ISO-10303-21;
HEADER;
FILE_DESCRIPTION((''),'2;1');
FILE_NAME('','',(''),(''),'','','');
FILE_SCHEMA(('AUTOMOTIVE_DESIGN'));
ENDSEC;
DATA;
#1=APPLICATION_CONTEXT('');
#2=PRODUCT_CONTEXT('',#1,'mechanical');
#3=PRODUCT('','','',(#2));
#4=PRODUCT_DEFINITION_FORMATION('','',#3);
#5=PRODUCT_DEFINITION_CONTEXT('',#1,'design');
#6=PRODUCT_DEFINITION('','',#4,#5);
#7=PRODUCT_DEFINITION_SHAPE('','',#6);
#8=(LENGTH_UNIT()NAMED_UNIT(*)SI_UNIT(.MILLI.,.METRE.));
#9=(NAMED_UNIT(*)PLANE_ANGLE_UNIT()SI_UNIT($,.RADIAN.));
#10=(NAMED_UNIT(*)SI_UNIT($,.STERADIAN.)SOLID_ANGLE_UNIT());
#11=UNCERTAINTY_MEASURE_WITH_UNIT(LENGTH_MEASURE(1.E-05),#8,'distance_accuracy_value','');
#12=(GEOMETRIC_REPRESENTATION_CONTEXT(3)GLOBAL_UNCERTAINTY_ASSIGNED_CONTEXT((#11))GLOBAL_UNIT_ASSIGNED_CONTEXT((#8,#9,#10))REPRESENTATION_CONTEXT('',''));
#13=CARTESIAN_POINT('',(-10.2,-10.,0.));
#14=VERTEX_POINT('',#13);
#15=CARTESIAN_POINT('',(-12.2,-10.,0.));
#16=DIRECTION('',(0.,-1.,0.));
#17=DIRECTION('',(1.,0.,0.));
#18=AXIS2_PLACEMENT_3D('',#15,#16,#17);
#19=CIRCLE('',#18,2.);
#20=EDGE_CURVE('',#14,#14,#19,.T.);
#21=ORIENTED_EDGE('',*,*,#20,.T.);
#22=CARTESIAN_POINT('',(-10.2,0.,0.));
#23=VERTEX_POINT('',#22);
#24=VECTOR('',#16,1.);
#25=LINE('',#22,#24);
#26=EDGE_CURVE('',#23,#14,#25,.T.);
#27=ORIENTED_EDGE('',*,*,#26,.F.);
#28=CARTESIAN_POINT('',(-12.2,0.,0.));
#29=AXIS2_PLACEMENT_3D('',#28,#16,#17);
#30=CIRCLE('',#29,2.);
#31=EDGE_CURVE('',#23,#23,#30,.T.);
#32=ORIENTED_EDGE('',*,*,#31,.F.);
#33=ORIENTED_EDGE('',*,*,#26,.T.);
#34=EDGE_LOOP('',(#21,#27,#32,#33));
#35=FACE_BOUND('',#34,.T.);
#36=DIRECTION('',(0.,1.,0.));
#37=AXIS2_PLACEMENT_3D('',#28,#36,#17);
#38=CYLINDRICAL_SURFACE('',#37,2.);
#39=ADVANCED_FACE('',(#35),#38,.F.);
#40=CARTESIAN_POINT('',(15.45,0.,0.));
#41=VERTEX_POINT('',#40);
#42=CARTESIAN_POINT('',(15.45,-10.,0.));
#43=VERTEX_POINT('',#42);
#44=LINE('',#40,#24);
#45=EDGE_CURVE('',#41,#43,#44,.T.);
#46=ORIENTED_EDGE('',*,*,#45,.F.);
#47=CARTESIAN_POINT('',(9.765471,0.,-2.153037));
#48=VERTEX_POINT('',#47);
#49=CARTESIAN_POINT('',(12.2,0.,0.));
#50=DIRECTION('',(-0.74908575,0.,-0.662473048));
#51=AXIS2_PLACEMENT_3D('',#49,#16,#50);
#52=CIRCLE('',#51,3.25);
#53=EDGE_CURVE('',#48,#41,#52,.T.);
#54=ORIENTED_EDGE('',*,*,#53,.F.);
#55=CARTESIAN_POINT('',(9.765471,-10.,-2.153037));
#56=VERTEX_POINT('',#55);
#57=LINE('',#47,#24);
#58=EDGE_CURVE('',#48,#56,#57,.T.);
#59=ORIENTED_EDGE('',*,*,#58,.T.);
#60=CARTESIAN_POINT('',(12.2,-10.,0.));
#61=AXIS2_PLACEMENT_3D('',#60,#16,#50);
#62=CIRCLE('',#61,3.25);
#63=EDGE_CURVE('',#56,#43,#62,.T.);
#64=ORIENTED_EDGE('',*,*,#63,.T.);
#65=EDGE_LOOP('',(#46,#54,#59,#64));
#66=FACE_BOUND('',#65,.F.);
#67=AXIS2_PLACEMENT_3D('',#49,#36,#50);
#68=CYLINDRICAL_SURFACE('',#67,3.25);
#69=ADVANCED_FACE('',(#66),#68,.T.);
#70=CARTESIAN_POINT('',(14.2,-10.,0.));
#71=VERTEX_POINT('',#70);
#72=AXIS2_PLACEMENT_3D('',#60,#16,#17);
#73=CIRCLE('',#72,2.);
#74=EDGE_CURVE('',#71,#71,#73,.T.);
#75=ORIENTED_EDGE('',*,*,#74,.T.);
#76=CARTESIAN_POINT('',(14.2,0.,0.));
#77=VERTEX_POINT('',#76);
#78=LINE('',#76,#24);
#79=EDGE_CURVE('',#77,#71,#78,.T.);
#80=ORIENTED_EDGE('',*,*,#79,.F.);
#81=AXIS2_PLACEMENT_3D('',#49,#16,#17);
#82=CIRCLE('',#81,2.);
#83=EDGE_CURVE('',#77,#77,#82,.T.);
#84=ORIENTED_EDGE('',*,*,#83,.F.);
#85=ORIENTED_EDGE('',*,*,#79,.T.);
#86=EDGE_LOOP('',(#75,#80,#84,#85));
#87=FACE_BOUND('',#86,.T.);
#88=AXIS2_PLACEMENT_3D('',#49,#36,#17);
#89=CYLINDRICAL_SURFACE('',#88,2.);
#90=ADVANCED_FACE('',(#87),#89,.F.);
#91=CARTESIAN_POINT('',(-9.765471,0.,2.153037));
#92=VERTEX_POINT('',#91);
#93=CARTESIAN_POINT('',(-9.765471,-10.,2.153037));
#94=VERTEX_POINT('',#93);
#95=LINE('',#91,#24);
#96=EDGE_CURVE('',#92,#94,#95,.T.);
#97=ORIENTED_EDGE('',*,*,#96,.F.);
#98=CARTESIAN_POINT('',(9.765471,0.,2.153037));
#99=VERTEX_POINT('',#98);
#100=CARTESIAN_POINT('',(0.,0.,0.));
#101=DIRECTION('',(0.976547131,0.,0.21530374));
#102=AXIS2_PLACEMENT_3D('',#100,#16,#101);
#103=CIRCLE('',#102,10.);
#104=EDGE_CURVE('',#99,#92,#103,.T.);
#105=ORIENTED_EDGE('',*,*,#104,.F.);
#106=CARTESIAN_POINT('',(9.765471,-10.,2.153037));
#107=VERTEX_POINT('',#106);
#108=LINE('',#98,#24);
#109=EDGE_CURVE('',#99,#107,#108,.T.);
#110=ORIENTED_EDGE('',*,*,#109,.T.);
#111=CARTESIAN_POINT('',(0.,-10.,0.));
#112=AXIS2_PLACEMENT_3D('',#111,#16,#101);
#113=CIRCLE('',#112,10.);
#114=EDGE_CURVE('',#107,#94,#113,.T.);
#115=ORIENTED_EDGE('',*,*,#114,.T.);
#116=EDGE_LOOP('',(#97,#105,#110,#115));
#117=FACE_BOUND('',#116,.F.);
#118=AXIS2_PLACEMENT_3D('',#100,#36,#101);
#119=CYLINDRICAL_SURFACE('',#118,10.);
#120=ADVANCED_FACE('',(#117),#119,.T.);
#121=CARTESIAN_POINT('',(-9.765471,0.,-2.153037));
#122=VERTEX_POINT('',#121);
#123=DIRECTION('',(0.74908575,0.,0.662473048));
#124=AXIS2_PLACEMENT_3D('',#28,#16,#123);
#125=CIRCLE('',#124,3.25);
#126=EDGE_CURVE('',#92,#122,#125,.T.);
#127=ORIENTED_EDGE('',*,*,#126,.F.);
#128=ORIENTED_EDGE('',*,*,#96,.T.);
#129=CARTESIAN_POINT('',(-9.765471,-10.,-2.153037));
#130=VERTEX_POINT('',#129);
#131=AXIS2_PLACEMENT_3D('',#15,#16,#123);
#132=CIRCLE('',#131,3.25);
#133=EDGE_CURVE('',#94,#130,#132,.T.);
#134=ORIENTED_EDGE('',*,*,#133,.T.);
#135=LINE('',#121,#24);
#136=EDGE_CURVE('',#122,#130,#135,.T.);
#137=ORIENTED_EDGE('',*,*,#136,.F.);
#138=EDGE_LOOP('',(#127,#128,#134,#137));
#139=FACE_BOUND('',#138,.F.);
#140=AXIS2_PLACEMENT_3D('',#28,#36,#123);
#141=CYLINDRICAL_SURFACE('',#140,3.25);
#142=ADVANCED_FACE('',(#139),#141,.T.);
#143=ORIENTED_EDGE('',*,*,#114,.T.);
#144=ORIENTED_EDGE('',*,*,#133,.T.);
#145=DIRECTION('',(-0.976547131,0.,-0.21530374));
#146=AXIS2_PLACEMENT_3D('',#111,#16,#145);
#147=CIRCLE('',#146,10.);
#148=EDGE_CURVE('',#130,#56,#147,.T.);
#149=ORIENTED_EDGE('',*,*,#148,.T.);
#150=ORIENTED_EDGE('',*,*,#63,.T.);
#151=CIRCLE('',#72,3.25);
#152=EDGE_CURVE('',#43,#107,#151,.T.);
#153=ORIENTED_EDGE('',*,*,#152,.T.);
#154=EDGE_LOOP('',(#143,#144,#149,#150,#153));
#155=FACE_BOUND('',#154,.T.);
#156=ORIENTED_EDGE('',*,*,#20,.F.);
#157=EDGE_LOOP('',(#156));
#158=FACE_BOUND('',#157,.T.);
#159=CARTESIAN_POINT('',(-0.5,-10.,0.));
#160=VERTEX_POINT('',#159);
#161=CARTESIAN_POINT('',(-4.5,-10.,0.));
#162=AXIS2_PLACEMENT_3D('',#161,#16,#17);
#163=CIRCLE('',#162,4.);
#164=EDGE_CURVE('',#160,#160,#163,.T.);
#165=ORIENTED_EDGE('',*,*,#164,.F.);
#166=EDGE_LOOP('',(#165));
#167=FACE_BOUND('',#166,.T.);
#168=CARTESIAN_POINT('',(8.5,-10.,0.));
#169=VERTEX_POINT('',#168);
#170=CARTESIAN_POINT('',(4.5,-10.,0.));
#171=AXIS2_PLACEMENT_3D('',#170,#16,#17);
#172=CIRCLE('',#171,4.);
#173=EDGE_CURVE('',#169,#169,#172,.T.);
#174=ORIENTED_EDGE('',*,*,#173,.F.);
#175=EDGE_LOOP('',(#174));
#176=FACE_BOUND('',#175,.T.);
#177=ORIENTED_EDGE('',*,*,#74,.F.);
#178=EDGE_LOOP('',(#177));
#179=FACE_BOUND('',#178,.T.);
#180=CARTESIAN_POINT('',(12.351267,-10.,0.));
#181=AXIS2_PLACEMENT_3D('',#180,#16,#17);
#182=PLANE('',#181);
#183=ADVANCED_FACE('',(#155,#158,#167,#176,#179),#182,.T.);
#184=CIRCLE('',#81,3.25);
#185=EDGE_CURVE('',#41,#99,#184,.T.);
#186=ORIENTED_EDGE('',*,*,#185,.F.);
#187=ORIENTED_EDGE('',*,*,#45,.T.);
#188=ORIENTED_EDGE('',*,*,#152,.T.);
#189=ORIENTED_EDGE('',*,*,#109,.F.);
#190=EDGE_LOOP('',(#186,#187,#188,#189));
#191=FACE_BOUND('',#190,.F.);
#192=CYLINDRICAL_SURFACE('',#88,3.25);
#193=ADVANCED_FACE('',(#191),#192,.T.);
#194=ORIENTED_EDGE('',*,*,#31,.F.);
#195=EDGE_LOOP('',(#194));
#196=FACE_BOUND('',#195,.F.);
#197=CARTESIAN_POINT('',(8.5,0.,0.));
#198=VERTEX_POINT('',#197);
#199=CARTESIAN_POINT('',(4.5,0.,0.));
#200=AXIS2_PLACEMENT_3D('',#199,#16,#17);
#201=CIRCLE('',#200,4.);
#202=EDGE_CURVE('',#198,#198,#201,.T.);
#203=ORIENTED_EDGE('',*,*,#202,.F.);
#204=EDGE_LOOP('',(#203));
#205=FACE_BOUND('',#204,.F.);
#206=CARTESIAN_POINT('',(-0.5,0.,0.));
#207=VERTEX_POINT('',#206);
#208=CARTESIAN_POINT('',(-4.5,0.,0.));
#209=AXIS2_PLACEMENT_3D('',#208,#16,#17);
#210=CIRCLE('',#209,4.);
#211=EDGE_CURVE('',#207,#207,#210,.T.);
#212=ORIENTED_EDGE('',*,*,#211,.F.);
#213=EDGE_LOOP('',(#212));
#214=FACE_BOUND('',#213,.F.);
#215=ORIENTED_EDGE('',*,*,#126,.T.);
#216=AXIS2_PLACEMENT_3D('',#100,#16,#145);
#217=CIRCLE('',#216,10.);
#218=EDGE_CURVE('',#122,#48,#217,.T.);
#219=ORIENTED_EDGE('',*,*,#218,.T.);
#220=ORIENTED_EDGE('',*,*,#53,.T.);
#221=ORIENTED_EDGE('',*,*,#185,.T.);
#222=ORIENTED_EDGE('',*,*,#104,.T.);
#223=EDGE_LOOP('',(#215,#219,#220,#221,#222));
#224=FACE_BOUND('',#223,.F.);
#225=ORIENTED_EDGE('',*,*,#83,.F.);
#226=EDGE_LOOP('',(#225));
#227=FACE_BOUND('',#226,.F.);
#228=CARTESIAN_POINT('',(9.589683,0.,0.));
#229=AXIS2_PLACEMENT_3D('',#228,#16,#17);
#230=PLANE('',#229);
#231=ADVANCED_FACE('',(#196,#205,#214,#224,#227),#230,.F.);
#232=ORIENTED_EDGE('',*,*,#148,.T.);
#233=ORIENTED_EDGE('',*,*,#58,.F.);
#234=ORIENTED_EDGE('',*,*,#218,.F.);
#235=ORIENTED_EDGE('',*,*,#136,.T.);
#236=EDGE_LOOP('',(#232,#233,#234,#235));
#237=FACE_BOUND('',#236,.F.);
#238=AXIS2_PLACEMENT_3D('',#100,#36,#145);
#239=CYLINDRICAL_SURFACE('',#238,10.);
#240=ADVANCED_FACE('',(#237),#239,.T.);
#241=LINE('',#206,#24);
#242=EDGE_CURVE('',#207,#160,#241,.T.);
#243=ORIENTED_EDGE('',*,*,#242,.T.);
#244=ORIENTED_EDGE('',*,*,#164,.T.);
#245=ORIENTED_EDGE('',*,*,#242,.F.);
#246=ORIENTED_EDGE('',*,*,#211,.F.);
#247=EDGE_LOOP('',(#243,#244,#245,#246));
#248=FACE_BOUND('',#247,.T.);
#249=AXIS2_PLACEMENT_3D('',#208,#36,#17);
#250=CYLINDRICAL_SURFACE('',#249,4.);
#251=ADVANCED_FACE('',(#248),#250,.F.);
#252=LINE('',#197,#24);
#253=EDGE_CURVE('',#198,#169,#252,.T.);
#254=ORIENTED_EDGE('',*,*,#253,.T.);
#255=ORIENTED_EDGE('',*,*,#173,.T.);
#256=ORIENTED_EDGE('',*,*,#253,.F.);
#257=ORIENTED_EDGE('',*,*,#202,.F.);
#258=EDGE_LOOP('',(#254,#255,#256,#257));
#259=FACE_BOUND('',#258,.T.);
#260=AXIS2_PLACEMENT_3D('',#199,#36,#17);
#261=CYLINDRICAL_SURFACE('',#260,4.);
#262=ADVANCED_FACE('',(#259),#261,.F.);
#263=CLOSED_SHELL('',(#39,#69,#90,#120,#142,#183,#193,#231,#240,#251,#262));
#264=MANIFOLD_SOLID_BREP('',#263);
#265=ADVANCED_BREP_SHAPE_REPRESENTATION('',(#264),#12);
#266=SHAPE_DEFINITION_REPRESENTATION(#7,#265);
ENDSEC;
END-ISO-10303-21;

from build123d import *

# Parameters (mm, degrees)
F0_R     = 4
F1_DEPTH = 10
F0_R_2   = 2
F2_DEPTH = 10
F3_DEPTH = 10


with BuildPart() as f1:
    # F0 (on Front) → F1 (new body)
    with BuildSketch(Plane.XZ):
        with BuildLine():
            ThreePointArc((9.7654713115, -2.1530374044), (8.95, 0), (9.7654713115, 2.1530374044))
            ThreePointArc((9.7654713115, 2.1530374044), (0, 10), (-9.7654713115, 2.1530374044))
            ThreePointArc((-9.7654713115, 2.1530374044), (-9.1606975934, 1.1511476366), (-8.95, 0))
            ThreePointArc((-8.95, 0), (-9.1606975934, -1.1511476366), (-9.7654713115, -2.1530374044))
            ThreePointArc((-9.7654713115, -2.1530374044), (0, -10), (9.7654713115, -2.1530374044))
        make_face()
        with Locations((-4.5, 0)):
            Circle(F0_R, mode=Mode.SUBTRACT)
        with Locations((4.5, 0)):
            Circle(F0_R, mode=Mode.SUBTRACT)
    extrude(amount=F1_DEPTH)

    # F0 (on Front) → F2 (join)
    with BuildSketch(Plane.XZ):
        with BuildLine():
            ThreePointArc((-9.7654713115, -2.1530374044), (-10, 0), (-9.7654713115, 2.1530374044))
            ThreePointArc((-9.7654713115, 2.1530374044), (-15.45, 0), (-9.7654713115, -2.1530374044))
        make_face()
        with Locations((-12.2, 0)):
            Circle(F0_R_2, mode=Mode.SUBTRACT)
        with BuildLine():
            ThreePointArc((9.7654713115, 2.1530374044), (9.941194926, 1.082886625), (10, 0))
            ThreePointArc((10, 0), (9.941194926, -1.082886625), (9.7654713115, -2.1530374044))
            ThreePointArc((9.7654713115, -2.1530374044), (13.3511476366, -3.0393024066), (15.45, 0))
            ThreePointArc((15.45, 0), (13.3511476366, 3.0393024066), (9.7654713115, 2.1530374044))
        make_face()
        with Locations((12.2, 0)):
            Circle(F0_R_2, mode=Mode.SUBTRACT)
    extrude(amount=F2_DEPTH)

    # F0 (on Front) → F3 (join)
    with BuildSketch(Plane.XZ):
        with BuildLine():
            ThreePointArc((9.7654713115, -2.1530374044), (9.941194926, -1.082886625), (10, 0))
            ThreePointArc((10, 0), (9.941194926, 1.082886625), (9.7654713115, 2.1530374044))
            ThreePointArc((9.7654713115, 2.1530374044), (8.95, 0), (9.7654713115, -2.1530374044))
        make_face()
        with BuildLine():
            ThreePointArc((-8.95, 0), (-9.1606975934, 1.1511476366), (-9.7654713115, 2.1530374044))
            ThreePointArc((-9.7654713115, 2.1530374044), (-10, 0), (-9.7654713115, -2.1530374044))
            ThreePointArc((-9.7654713115, -2.1530374044), (-9.1606975934, -1.1511476366), (-8.95, 0))
        make_face()
    extrude(amount=F3_DEPTH)


solid = f1.part
